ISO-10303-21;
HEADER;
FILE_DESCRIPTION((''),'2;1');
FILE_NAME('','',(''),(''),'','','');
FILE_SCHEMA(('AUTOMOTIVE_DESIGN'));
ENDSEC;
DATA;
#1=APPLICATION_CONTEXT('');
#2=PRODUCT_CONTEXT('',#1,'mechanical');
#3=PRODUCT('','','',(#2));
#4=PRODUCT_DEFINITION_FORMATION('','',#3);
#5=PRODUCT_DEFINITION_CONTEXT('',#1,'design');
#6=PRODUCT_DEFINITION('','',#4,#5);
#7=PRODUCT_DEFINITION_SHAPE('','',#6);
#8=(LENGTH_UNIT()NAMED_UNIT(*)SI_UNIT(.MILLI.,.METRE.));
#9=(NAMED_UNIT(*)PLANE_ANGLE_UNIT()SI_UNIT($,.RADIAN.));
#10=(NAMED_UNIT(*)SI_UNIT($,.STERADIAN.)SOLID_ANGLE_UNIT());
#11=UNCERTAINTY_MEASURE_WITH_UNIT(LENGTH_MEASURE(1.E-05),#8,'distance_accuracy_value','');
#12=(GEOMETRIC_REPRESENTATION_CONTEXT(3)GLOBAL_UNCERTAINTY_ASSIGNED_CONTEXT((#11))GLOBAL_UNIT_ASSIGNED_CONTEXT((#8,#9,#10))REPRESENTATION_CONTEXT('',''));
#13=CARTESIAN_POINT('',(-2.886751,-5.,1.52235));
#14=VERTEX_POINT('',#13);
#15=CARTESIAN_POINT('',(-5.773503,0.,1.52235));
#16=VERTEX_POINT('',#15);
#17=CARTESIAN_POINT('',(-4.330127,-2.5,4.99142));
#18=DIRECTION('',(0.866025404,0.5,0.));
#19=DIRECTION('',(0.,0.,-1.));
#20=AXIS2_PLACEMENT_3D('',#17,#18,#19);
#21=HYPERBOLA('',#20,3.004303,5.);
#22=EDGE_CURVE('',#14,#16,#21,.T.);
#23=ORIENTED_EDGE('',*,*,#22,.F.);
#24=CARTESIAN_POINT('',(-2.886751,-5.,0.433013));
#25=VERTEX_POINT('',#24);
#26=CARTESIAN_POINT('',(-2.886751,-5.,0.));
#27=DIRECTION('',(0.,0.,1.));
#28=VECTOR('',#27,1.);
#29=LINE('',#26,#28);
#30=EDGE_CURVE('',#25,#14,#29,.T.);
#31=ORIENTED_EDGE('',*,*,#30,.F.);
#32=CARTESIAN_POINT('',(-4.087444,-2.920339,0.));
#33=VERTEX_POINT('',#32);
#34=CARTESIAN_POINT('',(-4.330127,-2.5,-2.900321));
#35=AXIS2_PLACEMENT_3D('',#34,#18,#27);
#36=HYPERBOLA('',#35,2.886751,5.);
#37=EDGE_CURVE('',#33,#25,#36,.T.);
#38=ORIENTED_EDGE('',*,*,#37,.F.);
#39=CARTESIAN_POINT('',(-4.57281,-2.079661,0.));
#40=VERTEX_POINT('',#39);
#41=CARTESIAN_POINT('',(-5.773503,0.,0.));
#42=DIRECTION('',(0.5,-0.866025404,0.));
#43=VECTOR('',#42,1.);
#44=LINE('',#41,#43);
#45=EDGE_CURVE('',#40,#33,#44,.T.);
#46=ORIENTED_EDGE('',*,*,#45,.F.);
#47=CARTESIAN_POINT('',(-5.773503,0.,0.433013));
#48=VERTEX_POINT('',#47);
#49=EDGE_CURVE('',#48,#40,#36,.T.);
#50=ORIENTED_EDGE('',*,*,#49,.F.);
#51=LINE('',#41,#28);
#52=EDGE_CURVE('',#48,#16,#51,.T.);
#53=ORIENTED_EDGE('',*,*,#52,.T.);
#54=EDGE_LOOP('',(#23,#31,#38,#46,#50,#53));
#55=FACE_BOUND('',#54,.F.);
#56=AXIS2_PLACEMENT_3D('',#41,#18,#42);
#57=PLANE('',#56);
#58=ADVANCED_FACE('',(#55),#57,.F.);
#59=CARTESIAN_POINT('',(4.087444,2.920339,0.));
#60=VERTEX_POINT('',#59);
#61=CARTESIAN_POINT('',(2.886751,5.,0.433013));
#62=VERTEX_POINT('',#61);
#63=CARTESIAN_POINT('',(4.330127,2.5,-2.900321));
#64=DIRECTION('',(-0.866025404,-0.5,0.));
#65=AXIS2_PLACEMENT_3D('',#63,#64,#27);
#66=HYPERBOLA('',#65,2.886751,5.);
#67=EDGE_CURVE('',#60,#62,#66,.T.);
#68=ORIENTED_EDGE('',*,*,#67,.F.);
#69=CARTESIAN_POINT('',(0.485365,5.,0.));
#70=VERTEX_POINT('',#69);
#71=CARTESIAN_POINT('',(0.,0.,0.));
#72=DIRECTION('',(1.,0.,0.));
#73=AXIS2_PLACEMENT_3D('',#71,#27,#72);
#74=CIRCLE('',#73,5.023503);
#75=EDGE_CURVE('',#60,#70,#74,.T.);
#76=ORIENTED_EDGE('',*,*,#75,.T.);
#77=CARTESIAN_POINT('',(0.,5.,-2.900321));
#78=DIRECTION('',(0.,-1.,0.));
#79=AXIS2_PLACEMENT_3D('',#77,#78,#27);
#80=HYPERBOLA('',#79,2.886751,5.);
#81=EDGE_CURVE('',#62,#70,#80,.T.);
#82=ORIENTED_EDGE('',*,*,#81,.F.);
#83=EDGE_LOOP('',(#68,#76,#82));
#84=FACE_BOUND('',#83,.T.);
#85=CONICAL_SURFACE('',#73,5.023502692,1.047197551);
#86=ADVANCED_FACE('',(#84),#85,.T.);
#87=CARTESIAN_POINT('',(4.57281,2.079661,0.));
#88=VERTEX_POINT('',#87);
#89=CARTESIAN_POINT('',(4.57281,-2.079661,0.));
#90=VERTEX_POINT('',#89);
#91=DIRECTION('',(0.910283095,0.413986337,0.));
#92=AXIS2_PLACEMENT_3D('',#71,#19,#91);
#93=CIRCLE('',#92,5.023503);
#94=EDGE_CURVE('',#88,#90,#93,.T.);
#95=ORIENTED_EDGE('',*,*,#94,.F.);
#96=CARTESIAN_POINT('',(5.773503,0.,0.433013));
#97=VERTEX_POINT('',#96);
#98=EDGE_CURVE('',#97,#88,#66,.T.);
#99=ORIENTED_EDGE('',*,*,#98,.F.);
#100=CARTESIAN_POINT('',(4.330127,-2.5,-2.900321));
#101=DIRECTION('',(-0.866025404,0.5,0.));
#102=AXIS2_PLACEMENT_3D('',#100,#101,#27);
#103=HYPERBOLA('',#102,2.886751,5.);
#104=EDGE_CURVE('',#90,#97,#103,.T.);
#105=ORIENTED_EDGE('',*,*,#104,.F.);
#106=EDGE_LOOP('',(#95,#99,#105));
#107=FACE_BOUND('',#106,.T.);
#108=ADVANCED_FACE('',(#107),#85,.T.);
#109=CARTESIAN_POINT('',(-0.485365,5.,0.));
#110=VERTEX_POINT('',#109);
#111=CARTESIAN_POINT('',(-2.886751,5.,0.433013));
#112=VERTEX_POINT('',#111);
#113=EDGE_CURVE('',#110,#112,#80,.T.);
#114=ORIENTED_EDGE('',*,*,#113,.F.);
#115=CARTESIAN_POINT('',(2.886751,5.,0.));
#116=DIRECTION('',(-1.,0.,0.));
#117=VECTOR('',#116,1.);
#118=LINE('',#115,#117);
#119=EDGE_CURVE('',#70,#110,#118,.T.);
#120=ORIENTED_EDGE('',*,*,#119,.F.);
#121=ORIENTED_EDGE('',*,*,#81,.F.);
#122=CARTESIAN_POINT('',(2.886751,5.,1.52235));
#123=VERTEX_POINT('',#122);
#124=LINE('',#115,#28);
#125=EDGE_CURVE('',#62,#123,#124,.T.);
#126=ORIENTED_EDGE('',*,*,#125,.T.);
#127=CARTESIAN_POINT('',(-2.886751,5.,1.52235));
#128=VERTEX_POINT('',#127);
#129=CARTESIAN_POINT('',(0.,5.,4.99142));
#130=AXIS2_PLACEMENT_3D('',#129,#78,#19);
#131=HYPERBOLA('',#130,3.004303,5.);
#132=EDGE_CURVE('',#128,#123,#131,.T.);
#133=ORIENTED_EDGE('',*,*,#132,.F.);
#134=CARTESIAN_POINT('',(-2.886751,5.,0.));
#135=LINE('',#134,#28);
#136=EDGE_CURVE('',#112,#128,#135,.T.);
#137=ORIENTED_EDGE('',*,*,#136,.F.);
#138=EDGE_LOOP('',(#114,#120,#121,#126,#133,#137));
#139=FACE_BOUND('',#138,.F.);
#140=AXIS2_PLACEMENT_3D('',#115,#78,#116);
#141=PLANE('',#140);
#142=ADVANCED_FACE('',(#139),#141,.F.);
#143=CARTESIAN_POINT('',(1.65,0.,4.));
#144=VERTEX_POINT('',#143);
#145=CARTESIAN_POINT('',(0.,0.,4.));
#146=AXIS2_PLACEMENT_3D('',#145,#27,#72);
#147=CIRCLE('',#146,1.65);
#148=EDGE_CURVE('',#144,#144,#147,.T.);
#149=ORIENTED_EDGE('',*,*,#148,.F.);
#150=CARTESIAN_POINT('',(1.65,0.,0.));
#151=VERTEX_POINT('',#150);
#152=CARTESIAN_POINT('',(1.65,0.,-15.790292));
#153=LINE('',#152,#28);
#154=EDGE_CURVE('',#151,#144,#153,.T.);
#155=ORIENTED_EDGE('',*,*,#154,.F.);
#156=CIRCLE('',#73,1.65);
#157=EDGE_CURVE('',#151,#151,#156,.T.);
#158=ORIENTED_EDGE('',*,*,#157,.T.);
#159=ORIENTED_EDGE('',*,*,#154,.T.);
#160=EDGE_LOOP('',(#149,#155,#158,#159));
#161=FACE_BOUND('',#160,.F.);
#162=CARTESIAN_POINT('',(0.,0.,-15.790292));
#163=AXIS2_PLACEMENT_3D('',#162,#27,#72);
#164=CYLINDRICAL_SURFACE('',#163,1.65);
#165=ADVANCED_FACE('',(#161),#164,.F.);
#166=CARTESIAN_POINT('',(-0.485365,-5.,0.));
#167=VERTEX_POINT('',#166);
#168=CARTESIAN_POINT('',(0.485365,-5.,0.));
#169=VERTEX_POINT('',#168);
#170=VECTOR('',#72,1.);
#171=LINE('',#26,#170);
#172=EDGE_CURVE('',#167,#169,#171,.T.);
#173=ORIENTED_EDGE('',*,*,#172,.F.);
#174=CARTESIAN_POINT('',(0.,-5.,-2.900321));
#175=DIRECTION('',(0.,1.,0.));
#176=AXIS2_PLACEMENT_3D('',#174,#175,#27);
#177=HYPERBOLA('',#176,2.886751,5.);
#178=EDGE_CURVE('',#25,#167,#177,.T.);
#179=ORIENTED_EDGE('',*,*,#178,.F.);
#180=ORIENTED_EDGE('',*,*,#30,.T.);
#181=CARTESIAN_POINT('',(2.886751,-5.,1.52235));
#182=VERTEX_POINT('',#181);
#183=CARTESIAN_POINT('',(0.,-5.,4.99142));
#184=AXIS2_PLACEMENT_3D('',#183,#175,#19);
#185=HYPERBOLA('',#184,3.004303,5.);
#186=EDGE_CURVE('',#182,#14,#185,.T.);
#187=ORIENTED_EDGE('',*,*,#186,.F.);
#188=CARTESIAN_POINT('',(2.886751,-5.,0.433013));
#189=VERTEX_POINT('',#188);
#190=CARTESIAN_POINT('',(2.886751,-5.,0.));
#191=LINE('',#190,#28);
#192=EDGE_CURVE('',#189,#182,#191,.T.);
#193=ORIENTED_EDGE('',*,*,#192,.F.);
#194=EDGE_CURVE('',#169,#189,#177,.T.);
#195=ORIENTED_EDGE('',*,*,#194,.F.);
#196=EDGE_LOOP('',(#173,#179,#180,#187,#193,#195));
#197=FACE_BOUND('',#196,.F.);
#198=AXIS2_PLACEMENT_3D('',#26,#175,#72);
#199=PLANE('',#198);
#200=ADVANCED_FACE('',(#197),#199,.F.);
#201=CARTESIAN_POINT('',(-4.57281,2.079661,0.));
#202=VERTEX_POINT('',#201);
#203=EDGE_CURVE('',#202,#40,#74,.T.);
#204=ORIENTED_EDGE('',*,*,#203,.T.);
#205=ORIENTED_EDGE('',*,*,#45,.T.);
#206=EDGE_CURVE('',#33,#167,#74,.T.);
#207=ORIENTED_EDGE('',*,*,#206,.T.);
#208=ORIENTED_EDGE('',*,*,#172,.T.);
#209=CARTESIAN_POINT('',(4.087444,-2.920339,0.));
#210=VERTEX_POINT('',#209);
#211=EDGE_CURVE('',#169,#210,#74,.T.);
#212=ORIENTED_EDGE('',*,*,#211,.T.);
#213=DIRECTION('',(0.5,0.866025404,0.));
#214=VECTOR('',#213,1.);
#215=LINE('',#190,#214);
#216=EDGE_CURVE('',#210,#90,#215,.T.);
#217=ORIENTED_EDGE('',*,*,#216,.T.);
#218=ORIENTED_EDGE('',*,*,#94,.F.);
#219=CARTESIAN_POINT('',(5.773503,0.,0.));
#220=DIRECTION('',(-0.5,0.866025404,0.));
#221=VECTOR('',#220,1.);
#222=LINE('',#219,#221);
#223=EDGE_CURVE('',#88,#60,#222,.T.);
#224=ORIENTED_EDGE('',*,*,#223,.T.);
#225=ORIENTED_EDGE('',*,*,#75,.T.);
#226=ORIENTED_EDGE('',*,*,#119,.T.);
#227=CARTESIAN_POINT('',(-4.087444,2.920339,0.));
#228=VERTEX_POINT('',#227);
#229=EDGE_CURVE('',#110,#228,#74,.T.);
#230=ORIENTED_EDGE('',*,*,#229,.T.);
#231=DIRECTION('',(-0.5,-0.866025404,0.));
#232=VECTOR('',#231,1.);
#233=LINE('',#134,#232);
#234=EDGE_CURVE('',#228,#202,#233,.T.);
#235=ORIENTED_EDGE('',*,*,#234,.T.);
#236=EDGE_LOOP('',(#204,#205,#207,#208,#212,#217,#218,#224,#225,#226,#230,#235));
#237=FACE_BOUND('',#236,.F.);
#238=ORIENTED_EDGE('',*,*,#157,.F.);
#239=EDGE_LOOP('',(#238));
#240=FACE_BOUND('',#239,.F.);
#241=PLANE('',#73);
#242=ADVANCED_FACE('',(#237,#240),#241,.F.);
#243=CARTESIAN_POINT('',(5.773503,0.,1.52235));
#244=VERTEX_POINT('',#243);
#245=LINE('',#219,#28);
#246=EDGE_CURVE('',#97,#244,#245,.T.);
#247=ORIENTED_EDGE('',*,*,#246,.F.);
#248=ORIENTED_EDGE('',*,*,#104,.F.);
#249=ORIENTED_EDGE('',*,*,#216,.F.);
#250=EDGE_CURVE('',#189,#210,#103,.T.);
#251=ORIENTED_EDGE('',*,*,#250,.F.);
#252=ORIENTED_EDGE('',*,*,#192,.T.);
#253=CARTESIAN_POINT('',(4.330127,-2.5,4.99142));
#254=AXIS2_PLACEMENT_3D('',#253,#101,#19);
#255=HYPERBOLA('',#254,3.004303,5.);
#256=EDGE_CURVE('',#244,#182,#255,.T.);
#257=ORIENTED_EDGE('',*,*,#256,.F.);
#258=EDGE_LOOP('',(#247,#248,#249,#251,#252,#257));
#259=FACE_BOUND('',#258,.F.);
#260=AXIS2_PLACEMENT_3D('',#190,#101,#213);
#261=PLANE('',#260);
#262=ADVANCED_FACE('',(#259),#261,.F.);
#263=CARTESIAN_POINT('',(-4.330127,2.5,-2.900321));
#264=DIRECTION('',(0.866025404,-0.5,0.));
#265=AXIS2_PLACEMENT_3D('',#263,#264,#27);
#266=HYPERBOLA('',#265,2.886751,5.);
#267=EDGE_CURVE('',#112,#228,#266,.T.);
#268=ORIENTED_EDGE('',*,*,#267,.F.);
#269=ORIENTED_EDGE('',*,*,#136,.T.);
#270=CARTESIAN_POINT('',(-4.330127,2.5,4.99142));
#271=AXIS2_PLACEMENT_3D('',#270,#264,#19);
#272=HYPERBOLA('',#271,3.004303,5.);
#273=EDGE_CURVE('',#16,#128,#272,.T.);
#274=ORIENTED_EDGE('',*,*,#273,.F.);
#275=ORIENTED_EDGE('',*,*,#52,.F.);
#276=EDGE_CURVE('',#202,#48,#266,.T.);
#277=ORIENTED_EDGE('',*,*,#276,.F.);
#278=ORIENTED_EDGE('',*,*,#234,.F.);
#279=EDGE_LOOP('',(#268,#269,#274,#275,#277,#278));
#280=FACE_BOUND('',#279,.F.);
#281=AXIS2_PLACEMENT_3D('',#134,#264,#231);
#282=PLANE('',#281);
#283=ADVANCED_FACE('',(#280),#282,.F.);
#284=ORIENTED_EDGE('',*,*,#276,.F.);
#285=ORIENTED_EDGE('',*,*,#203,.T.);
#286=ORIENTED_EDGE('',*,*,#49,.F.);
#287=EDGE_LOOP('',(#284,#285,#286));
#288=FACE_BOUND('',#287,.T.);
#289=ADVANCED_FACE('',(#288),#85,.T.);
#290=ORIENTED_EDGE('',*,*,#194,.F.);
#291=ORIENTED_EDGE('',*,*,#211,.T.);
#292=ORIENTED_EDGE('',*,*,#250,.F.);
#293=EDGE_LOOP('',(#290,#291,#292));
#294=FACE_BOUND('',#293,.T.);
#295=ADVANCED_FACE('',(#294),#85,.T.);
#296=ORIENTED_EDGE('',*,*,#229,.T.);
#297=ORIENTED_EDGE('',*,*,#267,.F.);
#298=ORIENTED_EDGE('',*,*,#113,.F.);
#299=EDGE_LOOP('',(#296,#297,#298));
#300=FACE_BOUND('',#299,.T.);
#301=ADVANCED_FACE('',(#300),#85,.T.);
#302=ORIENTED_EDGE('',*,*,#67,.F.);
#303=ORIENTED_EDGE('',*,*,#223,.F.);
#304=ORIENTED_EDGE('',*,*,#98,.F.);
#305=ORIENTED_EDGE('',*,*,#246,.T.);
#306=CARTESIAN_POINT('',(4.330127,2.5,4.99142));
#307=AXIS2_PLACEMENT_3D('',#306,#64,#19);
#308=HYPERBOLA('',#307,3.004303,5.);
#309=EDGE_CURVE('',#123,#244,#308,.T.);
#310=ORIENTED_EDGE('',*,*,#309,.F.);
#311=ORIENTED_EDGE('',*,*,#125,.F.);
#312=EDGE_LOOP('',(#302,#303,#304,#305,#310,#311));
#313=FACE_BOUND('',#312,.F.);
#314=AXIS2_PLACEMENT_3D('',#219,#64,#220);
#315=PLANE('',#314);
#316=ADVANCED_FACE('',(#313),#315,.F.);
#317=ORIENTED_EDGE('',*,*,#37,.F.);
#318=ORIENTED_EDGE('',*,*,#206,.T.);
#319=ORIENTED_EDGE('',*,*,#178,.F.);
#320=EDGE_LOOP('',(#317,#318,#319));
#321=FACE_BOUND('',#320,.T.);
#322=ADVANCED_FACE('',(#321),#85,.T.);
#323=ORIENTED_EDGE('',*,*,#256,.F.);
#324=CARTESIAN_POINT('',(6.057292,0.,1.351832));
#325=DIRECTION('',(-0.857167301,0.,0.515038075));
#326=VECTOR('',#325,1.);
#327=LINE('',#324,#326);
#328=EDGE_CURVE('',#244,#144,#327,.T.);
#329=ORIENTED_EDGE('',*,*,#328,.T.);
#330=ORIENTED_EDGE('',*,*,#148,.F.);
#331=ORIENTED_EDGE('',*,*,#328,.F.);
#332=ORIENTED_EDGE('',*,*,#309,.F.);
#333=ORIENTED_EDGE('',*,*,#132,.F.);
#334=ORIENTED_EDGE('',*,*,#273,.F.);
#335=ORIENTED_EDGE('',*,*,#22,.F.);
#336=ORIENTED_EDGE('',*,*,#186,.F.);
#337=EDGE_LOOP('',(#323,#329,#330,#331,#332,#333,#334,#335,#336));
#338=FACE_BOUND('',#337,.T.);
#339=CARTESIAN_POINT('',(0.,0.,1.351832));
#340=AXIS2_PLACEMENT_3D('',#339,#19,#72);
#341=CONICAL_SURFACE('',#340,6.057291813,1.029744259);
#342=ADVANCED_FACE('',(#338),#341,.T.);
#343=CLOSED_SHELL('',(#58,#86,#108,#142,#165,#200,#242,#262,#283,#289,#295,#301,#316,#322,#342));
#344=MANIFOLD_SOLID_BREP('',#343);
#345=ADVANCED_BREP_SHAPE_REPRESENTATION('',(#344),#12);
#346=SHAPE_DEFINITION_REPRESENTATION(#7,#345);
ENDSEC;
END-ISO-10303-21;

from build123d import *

# Parameters (mm, degrees)
BOSS_EXTRUDE1_DEPTH   = 4
M4X0_7_TAPPED_HOLE1_D = 3.3


with BuildPart() as part:
    # Sketch1 → Boss-Extrude1 (new body)
    with BuildSketch(Plane.XY):
        Polygon((-2.886751346, 5), (-5.773502692, 0), (-2.886751346, -5), (2.886751346, -5), (5.773502692, 0), (2.886751346, 5), align=None)
    extrude(amount=BOSS_EXTRUDE1_DEPTH)

    # M4x0.7 Tapped Hole1 (through all)
    with Locations(Plane(origin=(0, 0, 0), x_dir=(-1, 0, 0), z_dir=(0, 0, -1))):
        with Locations((0, 0)):
            Hole(M4X0_7_TAPPED_HOLE1_D / 2)

    # Sketch3 → Cut-Revolve3 (revolve, cut)
    with BuildSketch(Plane(origin=(0, 0, 0), x_dir=(1, 0, 0), z_dir=(0, 1, 0))):
        Polygon((6.057291813, -1.351831913), (1.65, -4), (6.057291813, -4), align=None)
    revolve(axis=Axis((0, 0, 4), (0, 0, 1)), mode=Mode.SUBTRACT)

    # Sketch5 → Cut-Revolve4 (revolve, cut)
    with BuildSketch(Plane(origin=(0, 0, 0), x_dir=(1, 0, 0), z_dir=(0, 1, 0))):
        Polygon((5.023502692, 0), (5.773502692, -0.433012702), (5.773502692, 0), align=None)
    revolve(axis=Axis((0, 0, 0), (0, 0, 1)), mode=Mode.SUBTRACT)


solid = part.part
